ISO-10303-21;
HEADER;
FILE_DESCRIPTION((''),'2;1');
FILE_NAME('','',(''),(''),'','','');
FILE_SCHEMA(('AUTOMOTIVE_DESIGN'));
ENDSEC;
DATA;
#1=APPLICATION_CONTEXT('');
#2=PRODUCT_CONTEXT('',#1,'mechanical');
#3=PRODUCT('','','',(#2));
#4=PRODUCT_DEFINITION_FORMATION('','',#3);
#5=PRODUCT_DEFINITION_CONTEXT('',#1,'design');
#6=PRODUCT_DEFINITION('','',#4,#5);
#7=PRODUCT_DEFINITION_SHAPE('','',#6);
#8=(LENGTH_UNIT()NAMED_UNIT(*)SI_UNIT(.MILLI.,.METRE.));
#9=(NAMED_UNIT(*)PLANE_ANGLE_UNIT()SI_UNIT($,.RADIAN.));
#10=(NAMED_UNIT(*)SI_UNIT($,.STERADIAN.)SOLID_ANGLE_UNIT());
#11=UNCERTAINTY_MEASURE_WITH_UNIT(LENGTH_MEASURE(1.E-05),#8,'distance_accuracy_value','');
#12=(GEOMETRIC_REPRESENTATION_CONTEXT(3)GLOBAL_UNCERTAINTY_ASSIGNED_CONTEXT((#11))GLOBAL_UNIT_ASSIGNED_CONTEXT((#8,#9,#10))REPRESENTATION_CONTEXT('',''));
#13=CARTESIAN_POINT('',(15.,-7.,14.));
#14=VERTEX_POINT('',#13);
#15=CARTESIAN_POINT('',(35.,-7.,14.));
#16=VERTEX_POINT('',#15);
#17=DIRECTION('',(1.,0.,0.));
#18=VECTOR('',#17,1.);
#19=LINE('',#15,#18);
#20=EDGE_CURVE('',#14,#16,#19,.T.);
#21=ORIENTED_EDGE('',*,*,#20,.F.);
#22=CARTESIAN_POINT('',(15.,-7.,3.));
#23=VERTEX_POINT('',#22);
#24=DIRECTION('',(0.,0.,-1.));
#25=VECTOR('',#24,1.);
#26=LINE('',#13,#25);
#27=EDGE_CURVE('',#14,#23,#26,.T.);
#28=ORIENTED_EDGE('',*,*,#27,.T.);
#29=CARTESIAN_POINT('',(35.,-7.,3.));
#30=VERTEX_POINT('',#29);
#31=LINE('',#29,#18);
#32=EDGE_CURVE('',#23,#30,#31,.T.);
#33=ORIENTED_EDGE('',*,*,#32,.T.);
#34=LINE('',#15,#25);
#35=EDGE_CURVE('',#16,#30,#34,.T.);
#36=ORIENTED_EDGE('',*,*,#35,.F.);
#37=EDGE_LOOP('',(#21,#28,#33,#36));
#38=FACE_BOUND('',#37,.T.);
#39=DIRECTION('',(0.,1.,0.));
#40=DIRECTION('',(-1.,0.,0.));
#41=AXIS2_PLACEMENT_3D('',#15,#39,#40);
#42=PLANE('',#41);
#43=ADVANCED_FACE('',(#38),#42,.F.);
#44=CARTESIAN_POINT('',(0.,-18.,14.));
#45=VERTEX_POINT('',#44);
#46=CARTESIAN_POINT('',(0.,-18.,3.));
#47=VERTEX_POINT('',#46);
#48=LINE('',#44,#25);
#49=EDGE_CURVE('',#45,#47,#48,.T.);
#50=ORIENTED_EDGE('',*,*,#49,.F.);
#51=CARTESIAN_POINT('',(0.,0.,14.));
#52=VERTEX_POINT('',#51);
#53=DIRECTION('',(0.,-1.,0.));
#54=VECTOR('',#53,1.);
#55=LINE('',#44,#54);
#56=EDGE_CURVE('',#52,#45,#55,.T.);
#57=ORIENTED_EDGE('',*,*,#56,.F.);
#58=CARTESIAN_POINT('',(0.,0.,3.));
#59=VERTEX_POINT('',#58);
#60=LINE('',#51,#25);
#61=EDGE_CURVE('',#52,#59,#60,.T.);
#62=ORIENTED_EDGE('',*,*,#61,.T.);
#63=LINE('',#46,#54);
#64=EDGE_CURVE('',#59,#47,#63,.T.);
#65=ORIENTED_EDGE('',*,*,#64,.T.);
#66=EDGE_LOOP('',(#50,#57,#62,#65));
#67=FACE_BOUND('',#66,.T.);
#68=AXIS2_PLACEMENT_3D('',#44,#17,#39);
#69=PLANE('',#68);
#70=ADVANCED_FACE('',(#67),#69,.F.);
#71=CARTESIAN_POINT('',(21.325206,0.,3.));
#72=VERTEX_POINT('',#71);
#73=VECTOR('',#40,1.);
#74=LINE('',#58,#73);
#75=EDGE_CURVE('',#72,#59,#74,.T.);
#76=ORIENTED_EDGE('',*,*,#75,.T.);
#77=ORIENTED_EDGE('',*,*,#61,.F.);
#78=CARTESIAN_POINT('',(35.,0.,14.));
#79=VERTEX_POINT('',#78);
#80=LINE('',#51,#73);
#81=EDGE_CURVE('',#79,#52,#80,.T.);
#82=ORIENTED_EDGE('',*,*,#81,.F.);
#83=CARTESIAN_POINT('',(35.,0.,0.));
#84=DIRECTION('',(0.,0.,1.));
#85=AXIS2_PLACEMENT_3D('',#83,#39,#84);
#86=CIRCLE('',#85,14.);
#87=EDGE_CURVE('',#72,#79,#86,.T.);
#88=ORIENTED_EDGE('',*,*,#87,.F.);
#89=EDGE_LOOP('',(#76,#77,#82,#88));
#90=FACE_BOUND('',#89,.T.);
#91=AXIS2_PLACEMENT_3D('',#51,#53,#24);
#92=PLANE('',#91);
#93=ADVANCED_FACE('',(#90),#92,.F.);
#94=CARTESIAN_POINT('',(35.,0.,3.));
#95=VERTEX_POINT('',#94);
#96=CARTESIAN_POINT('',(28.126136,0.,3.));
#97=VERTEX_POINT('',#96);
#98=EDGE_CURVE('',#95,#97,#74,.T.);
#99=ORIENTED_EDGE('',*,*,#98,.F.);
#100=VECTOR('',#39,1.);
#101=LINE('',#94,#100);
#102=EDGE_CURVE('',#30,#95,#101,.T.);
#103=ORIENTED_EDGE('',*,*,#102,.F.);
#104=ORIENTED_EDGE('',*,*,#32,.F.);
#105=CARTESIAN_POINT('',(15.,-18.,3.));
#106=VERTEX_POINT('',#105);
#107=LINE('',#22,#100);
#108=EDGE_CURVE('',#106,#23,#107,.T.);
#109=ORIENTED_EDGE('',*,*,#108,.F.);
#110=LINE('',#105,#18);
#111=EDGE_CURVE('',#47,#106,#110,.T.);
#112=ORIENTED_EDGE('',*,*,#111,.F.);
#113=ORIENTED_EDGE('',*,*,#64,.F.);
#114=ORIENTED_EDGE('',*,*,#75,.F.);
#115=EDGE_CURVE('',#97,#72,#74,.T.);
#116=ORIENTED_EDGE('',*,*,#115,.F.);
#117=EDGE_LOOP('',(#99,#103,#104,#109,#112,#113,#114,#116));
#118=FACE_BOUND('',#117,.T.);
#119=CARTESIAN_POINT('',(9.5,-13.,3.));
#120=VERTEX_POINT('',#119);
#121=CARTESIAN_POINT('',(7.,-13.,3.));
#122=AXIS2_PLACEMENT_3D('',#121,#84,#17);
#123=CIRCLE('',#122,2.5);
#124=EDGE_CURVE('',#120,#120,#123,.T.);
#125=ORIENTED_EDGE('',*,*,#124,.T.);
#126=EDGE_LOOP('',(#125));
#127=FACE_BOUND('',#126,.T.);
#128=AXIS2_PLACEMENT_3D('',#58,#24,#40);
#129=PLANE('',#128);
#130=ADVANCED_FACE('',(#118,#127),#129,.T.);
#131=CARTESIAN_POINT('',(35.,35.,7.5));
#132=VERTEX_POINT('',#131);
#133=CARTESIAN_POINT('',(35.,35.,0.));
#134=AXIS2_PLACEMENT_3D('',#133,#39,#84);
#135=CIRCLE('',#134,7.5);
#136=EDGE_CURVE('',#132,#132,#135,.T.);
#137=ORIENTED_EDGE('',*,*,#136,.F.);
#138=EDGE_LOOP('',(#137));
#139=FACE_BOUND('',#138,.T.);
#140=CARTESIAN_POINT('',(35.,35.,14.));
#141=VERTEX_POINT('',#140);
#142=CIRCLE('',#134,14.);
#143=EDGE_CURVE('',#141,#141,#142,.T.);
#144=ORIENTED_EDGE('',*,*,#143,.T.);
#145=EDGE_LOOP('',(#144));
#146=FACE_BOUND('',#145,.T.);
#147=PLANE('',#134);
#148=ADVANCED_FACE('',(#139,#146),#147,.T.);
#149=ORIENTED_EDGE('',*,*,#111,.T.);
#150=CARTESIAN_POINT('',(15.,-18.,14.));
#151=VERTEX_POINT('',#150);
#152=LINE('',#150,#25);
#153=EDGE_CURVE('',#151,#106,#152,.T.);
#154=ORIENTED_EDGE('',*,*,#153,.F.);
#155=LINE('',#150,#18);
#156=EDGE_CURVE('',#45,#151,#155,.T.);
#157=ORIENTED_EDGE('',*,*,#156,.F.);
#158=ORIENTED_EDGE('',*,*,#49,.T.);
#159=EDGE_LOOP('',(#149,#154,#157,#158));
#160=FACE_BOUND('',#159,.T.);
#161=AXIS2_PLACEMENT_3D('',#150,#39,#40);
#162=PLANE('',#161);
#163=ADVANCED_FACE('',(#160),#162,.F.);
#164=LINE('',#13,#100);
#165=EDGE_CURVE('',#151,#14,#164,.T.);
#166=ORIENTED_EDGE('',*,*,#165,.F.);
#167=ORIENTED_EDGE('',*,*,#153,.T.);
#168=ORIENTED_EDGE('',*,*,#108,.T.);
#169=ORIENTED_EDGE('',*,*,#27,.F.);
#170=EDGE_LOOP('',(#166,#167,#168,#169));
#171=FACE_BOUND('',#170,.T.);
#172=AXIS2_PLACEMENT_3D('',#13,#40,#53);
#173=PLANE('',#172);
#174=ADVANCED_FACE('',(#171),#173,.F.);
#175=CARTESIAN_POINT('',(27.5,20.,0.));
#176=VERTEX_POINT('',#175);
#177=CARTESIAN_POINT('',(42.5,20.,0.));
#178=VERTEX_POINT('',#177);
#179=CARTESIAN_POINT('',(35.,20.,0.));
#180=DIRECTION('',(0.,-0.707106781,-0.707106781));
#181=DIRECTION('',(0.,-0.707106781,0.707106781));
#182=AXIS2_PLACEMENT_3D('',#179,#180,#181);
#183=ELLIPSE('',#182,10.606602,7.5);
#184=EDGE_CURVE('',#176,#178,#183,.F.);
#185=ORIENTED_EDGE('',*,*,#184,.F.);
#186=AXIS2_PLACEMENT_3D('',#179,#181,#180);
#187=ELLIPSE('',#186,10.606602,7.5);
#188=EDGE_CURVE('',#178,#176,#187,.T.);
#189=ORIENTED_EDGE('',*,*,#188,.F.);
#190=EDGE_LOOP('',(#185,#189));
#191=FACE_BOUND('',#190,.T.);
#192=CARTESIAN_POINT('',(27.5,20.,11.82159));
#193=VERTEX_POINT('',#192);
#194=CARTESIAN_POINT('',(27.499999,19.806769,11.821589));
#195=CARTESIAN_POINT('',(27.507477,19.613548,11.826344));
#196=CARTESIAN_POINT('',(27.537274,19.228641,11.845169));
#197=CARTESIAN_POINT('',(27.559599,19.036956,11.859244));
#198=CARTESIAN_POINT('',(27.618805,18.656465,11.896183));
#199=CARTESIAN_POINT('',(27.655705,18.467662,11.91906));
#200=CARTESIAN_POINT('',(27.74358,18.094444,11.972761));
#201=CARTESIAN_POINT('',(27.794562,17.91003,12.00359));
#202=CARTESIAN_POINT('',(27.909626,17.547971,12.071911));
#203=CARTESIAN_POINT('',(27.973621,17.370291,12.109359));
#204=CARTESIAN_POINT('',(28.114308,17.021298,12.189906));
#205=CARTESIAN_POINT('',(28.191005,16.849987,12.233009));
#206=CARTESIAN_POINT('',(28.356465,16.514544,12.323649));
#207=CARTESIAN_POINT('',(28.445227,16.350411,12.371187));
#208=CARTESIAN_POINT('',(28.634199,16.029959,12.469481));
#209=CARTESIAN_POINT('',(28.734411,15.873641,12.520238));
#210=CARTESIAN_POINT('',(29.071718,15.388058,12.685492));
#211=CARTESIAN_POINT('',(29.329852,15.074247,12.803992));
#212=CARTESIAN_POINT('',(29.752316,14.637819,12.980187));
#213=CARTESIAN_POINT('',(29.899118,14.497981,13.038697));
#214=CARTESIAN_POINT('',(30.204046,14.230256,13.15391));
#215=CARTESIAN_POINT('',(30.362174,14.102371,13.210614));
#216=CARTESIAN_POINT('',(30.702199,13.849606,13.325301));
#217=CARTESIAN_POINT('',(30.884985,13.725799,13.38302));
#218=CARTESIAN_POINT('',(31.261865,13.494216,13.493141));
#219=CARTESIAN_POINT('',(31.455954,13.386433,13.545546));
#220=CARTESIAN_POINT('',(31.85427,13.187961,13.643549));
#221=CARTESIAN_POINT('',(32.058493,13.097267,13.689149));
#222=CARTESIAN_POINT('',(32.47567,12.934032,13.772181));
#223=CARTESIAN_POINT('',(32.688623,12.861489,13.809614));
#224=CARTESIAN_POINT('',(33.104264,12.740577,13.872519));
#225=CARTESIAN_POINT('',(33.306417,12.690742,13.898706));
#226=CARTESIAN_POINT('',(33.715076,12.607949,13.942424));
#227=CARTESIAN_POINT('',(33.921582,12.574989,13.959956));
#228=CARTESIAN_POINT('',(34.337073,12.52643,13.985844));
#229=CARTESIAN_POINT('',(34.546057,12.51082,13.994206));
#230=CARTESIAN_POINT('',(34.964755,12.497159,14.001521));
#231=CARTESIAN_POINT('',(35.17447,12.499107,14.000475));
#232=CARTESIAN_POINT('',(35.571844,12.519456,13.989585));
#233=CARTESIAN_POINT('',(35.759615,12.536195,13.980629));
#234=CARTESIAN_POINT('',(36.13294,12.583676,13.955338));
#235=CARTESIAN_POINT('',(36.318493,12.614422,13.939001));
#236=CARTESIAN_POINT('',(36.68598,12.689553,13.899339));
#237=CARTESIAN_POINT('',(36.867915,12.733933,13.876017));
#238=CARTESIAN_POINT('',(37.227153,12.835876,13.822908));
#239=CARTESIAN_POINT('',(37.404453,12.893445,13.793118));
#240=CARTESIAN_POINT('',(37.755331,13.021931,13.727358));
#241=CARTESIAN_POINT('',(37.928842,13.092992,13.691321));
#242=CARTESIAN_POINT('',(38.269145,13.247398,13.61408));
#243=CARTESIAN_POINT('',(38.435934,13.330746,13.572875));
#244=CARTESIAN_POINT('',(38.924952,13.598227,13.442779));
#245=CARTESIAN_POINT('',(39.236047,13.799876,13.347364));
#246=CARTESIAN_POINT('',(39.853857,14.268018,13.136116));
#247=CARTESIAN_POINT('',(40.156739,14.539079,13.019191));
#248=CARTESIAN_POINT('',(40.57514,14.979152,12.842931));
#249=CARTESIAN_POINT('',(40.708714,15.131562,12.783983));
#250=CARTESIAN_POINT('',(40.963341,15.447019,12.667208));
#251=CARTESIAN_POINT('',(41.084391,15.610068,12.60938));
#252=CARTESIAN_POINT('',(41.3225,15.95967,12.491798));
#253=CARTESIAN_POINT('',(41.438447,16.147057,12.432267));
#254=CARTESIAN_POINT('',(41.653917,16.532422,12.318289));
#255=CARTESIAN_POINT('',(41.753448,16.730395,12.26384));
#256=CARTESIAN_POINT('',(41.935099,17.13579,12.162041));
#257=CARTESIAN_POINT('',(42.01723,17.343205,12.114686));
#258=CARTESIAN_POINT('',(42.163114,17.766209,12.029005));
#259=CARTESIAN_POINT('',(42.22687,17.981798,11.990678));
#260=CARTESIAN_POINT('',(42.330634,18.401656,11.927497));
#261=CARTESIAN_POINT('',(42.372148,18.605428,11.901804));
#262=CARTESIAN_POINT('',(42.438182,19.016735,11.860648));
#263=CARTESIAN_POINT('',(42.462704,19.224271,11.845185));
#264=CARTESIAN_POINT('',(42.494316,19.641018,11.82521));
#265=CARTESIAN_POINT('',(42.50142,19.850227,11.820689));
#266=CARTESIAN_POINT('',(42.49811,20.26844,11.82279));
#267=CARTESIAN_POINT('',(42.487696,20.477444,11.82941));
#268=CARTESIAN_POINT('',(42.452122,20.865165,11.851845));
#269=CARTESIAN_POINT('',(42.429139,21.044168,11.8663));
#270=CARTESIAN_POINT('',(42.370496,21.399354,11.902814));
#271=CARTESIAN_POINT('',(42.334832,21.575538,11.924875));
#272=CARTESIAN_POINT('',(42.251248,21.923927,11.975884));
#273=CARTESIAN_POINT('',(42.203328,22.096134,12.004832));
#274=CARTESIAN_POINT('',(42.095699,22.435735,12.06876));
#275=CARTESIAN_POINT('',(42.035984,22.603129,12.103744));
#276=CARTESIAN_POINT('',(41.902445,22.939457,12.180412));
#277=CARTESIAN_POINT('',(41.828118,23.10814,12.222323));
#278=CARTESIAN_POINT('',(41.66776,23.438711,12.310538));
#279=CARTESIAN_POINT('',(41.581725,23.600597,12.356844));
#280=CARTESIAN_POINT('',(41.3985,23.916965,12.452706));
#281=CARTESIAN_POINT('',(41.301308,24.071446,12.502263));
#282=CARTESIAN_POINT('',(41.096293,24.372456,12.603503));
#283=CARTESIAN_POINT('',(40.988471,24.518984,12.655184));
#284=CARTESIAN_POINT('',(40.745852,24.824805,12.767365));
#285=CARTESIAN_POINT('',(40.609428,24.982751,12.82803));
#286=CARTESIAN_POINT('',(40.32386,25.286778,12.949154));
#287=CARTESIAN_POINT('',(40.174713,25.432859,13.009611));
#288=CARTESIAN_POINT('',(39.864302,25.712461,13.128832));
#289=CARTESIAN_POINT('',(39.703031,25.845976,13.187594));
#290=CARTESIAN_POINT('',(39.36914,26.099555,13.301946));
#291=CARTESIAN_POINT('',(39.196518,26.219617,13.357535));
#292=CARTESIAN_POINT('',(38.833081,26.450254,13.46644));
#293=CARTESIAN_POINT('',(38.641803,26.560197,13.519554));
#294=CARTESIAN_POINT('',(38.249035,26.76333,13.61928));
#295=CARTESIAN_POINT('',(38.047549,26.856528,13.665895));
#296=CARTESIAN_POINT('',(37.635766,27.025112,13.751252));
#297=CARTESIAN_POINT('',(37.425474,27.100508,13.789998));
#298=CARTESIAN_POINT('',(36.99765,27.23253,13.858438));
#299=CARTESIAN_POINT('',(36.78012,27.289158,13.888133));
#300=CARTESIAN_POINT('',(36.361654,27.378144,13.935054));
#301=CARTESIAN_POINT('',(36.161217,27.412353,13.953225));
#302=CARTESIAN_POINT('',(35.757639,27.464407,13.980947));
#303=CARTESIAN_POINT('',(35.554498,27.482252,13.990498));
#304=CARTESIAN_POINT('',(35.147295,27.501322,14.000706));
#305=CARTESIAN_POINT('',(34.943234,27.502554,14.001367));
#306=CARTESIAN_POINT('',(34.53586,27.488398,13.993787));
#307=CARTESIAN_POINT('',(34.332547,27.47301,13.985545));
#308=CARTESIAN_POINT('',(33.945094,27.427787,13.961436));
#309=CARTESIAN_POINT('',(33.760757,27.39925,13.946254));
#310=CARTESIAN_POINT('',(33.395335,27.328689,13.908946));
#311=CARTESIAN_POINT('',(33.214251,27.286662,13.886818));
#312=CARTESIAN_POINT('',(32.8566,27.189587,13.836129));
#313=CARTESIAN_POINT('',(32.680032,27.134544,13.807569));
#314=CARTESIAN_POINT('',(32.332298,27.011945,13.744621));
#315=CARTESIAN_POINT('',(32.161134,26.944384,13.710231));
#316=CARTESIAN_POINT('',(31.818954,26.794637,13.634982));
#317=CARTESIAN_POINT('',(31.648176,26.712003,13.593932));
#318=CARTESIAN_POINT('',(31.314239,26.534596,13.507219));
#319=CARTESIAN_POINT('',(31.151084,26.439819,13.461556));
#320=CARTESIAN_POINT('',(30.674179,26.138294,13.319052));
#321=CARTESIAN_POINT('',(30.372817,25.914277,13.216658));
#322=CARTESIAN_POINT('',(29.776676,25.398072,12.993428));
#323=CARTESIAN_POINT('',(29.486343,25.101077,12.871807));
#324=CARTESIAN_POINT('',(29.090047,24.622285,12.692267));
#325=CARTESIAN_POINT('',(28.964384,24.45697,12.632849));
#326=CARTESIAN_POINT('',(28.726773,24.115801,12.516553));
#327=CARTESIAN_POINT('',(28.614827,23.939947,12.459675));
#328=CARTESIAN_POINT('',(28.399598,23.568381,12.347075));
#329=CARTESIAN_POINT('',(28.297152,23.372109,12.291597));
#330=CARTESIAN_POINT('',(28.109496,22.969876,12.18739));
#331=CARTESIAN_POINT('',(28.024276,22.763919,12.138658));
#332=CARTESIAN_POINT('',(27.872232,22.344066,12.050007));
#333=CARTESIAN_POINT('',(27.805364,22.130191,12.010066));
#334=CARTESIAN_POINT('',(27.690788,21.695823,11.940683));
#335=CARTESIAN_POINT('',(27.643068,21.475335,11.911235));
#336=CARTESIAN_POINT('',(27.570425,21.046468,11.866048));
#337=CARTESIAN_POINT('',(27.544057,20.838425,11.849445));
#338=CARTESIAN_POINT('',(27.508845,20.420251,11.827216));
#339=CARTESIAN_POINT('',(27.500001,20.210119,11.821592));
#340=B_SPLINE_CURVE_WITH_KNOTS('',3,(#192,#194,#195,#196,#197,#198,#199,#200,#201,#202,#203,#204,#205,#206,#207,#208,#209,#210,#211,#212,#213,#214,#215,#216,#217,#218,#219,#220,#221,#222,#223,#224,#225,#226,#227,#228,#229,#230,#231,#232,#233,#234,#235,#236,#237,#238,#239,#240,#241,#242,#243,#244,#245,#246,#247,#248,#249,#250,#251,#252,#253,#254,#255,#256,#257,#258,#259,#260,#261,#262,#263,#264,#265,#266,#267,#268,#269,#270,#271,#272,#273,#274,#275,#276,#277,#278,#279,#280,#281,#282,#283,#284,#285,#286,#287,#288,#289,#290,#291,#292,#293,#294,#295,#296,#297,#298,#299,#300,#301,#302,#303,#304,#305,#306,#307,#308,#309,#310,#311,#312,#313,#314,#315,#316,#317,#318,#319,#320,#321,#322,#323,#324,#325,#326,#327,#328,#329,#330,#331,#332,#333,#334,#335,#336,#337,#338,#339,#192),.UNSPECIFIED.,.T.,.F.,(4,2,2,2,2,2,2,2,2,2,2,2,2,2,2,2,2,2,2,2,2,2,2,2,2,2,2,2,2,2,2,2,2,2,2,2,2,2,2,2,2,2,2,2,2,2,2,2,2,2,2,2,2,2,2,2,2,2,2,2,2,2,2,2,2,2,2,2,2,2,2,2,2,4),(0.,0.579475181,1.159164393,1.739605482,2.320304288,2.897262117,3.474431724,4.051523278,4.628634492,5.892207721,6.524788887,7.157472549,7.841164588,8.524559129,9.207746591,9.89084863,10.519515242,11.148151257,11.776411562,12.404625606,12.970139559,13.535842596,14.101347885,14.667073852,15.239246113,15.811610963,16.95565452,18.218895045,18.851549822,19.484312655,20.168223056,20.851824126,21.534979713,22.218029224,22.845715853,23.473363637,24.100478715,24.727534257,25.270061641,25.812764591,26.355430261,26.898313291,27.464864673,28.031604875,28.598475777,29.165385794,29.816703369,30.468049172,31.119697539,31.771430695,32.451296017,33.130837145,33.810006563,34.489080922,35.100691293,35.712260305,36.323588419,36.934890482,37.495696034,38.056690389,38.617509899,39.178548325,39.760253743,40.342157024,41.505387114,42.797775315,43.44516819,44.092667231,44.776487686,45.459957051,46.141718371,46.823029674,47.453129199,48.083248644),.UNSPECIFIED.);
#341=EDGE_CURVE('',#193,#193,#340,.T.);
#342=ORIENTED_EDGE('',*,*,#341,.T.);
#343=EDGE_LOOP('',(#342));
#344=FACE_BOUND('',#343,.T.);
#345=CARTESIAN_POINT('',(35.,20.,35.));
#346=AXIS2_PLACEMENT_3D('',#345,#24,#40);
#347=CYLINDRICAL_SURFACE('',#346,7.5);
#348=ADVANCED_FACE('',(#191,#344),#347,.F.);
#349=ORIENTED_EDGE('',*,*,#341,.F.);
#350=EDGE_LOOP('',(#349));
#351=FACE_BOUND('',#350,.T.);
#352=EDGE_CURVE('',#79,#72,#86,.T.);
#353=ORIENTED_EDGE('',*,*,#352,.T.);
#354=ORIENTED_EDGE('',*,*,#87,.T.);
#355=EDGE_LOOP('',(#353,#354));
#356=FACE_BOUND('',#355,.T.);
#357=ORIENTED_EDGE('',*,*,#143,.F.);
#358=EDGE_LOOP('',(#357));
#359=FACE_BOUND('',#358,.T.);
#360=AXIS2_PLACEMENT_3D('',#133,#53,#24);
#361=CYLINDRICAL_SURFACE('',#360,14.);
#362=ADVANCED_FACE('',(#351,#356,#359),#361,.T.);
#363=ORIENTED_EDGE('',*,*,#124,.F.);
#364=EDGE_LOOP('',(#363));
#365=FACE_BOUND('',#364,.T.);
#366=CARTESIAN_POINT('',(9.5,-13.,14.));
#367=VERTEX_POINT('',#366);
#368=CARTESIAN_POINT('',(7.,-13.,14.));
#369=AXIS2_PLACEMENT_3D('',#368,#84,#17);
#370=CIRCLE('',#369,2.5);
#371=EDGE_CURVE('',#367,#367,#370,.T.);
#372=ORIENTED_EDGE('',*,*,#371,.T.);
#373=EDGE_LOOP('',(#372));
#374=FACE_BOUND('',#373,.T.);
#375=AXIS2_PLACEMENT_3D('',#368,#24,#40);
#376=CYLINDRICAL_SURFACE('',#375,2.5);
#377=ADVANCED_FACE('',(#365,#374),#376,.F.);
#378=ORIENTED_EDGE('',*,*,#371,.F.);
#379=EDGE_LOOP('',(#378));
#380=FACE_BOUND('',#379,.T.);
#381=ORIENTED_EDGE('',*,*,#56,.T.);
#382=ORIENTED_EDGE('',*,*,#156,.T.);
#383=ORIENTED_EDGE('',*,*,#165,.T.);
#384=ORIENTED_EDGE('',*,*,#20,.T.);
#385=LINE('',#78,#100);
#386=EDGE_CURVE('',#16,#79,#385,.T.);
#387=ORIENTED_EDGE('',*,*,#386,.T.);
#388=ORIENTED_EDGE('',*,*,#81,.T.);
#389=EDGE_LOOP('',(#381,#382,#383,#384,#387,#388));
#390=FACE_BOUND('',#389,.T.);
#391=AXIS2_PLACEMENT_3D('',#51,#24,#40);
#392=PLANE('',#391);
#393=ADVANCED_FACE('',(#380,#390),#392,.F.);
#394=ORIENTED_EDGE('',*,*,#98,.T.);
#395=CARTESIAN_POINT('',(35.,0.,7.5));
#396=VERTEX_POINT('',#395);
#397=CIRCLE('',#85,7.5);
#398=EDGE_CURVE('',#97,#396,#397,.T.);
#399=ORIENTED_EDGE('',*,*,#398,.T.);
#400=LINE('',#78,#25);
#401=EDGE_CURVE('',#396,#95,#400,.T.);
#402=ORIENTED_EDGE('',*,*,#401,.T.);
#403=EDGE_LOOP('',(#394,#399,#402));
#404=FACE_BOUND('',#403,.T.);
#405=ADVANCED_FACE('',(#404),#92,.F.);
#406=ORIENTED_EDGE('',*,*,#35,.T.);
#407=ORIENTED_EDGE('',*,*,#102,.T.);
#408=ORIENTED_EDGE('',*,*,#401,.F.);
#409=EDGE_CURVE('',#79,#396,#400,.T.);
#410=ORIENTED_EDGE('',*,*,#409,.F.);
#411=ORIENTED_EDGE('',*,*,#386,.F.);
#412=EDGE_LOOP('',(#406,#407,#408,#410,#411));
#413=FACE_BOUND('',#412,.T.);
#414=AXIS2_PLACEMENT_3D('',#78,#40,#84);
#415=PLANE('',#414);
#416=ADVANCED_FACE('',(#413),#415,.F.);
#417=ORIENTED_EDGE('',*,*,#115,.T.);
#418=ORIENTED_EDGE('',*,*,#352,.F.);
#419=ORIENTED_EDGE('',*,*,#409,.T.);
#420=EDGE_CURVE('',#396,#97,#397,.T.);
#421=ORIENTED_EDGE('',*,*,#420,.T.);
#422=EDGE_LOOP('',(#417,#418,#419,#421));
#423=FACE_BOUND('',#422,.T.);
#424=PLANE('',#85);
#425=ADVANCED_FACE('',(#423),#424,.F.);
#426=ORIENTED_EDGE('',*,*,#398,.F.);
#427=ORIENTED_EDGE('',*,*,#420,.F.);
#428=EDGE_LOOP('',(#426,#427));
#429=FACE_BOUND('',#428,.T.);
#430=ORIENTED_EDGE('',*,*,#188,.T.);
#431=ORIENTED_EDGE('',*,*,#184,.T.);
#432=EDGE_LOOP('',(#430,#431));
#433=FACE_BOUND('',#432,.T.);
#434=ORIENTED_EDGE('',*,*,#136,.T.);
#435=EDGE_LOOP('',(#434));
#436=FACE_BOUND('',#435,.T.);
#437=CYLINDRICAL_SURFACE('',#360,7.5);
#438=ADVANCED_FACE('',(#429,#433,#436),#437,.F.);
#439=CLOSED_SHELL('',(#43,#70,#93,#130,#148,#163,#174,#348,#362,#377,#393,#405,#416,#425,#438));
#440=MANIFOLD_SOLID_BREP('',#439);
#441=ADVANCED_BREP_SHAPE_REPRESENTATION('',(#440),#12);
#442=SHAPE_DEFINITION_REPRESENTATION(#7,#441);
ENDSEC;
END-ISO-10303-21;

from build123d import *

# Parameters (mm, degrees)
SKETCH_1_R          = 14
SKETCH_1_R_2        = 7.5
EXTRUDE_1_DEPTH     = 35
SKETCH_2_R          = 7.5
CUT_EXTRUDE_1_DEPTH = 35
SKETCH_3_R          = 2.5
EXTRUDE_2_DEPTH     = 14
SKETCH_3_2_R        = 2.5
CUT_EXTRUDE_2_DEPTH = 3


with BuildPart() as part:
    # 草图1 → 凸台-拉伸1 (new body)
    with BuildSketch(Plane(origin=(0, 0, 0), x_dir=(1, 0, 0), z_dir=(0, 1, 0))):
        with Locations((35, 0)):
            Circle(SKETCH_1_R)
        with Locations((35, 0)):
            Circle(SKETCH_1_R_2, mode=Mode.SUBTRACT)
    extrude(amount=EXTRUDE_1_DEPTH)

    # 草图2 → 切除-拉伸1 (cut)
    with BuildSketch(Plane.XY):
        with Locations((35, 20)):
            Circle(SKETCH_2_R)
    extrude(amount=CUT_EXTRUDE_1_DEPTH, mode=Mode.SUBTRACT)

    # 草图3 → 凸台-拉伸2 (add)
    with BuildSketch(Plane.XY):
        Polygon((0, 0), (35, 0), (35, -7), (15, -7), (15, -18), (0, -18), align=None)
        with Locations((7, -13)):
            Circle(SKETCH_3_R, mode=Mode.SUBTRACT)
    extrude(amount=EXTRUDE_2_DEPTH)

    # 草图3<2> → 切除-拉伸2 (cut)
    with BuildSketch(Plane.XY):
        Polygon((0, 0), (35, 0), (35, -7), (15, -7), (15, -18), (0, -18), align=None)
        with Locations((7, -13)):
            Circle(SKETCH_3_2_R, mode=Mode.SUBTRACT)
    extrude(amount=CUT_EXTRUDE_2_DEPTH, mode=Mode.SUBTRACT)


solid = part.part
